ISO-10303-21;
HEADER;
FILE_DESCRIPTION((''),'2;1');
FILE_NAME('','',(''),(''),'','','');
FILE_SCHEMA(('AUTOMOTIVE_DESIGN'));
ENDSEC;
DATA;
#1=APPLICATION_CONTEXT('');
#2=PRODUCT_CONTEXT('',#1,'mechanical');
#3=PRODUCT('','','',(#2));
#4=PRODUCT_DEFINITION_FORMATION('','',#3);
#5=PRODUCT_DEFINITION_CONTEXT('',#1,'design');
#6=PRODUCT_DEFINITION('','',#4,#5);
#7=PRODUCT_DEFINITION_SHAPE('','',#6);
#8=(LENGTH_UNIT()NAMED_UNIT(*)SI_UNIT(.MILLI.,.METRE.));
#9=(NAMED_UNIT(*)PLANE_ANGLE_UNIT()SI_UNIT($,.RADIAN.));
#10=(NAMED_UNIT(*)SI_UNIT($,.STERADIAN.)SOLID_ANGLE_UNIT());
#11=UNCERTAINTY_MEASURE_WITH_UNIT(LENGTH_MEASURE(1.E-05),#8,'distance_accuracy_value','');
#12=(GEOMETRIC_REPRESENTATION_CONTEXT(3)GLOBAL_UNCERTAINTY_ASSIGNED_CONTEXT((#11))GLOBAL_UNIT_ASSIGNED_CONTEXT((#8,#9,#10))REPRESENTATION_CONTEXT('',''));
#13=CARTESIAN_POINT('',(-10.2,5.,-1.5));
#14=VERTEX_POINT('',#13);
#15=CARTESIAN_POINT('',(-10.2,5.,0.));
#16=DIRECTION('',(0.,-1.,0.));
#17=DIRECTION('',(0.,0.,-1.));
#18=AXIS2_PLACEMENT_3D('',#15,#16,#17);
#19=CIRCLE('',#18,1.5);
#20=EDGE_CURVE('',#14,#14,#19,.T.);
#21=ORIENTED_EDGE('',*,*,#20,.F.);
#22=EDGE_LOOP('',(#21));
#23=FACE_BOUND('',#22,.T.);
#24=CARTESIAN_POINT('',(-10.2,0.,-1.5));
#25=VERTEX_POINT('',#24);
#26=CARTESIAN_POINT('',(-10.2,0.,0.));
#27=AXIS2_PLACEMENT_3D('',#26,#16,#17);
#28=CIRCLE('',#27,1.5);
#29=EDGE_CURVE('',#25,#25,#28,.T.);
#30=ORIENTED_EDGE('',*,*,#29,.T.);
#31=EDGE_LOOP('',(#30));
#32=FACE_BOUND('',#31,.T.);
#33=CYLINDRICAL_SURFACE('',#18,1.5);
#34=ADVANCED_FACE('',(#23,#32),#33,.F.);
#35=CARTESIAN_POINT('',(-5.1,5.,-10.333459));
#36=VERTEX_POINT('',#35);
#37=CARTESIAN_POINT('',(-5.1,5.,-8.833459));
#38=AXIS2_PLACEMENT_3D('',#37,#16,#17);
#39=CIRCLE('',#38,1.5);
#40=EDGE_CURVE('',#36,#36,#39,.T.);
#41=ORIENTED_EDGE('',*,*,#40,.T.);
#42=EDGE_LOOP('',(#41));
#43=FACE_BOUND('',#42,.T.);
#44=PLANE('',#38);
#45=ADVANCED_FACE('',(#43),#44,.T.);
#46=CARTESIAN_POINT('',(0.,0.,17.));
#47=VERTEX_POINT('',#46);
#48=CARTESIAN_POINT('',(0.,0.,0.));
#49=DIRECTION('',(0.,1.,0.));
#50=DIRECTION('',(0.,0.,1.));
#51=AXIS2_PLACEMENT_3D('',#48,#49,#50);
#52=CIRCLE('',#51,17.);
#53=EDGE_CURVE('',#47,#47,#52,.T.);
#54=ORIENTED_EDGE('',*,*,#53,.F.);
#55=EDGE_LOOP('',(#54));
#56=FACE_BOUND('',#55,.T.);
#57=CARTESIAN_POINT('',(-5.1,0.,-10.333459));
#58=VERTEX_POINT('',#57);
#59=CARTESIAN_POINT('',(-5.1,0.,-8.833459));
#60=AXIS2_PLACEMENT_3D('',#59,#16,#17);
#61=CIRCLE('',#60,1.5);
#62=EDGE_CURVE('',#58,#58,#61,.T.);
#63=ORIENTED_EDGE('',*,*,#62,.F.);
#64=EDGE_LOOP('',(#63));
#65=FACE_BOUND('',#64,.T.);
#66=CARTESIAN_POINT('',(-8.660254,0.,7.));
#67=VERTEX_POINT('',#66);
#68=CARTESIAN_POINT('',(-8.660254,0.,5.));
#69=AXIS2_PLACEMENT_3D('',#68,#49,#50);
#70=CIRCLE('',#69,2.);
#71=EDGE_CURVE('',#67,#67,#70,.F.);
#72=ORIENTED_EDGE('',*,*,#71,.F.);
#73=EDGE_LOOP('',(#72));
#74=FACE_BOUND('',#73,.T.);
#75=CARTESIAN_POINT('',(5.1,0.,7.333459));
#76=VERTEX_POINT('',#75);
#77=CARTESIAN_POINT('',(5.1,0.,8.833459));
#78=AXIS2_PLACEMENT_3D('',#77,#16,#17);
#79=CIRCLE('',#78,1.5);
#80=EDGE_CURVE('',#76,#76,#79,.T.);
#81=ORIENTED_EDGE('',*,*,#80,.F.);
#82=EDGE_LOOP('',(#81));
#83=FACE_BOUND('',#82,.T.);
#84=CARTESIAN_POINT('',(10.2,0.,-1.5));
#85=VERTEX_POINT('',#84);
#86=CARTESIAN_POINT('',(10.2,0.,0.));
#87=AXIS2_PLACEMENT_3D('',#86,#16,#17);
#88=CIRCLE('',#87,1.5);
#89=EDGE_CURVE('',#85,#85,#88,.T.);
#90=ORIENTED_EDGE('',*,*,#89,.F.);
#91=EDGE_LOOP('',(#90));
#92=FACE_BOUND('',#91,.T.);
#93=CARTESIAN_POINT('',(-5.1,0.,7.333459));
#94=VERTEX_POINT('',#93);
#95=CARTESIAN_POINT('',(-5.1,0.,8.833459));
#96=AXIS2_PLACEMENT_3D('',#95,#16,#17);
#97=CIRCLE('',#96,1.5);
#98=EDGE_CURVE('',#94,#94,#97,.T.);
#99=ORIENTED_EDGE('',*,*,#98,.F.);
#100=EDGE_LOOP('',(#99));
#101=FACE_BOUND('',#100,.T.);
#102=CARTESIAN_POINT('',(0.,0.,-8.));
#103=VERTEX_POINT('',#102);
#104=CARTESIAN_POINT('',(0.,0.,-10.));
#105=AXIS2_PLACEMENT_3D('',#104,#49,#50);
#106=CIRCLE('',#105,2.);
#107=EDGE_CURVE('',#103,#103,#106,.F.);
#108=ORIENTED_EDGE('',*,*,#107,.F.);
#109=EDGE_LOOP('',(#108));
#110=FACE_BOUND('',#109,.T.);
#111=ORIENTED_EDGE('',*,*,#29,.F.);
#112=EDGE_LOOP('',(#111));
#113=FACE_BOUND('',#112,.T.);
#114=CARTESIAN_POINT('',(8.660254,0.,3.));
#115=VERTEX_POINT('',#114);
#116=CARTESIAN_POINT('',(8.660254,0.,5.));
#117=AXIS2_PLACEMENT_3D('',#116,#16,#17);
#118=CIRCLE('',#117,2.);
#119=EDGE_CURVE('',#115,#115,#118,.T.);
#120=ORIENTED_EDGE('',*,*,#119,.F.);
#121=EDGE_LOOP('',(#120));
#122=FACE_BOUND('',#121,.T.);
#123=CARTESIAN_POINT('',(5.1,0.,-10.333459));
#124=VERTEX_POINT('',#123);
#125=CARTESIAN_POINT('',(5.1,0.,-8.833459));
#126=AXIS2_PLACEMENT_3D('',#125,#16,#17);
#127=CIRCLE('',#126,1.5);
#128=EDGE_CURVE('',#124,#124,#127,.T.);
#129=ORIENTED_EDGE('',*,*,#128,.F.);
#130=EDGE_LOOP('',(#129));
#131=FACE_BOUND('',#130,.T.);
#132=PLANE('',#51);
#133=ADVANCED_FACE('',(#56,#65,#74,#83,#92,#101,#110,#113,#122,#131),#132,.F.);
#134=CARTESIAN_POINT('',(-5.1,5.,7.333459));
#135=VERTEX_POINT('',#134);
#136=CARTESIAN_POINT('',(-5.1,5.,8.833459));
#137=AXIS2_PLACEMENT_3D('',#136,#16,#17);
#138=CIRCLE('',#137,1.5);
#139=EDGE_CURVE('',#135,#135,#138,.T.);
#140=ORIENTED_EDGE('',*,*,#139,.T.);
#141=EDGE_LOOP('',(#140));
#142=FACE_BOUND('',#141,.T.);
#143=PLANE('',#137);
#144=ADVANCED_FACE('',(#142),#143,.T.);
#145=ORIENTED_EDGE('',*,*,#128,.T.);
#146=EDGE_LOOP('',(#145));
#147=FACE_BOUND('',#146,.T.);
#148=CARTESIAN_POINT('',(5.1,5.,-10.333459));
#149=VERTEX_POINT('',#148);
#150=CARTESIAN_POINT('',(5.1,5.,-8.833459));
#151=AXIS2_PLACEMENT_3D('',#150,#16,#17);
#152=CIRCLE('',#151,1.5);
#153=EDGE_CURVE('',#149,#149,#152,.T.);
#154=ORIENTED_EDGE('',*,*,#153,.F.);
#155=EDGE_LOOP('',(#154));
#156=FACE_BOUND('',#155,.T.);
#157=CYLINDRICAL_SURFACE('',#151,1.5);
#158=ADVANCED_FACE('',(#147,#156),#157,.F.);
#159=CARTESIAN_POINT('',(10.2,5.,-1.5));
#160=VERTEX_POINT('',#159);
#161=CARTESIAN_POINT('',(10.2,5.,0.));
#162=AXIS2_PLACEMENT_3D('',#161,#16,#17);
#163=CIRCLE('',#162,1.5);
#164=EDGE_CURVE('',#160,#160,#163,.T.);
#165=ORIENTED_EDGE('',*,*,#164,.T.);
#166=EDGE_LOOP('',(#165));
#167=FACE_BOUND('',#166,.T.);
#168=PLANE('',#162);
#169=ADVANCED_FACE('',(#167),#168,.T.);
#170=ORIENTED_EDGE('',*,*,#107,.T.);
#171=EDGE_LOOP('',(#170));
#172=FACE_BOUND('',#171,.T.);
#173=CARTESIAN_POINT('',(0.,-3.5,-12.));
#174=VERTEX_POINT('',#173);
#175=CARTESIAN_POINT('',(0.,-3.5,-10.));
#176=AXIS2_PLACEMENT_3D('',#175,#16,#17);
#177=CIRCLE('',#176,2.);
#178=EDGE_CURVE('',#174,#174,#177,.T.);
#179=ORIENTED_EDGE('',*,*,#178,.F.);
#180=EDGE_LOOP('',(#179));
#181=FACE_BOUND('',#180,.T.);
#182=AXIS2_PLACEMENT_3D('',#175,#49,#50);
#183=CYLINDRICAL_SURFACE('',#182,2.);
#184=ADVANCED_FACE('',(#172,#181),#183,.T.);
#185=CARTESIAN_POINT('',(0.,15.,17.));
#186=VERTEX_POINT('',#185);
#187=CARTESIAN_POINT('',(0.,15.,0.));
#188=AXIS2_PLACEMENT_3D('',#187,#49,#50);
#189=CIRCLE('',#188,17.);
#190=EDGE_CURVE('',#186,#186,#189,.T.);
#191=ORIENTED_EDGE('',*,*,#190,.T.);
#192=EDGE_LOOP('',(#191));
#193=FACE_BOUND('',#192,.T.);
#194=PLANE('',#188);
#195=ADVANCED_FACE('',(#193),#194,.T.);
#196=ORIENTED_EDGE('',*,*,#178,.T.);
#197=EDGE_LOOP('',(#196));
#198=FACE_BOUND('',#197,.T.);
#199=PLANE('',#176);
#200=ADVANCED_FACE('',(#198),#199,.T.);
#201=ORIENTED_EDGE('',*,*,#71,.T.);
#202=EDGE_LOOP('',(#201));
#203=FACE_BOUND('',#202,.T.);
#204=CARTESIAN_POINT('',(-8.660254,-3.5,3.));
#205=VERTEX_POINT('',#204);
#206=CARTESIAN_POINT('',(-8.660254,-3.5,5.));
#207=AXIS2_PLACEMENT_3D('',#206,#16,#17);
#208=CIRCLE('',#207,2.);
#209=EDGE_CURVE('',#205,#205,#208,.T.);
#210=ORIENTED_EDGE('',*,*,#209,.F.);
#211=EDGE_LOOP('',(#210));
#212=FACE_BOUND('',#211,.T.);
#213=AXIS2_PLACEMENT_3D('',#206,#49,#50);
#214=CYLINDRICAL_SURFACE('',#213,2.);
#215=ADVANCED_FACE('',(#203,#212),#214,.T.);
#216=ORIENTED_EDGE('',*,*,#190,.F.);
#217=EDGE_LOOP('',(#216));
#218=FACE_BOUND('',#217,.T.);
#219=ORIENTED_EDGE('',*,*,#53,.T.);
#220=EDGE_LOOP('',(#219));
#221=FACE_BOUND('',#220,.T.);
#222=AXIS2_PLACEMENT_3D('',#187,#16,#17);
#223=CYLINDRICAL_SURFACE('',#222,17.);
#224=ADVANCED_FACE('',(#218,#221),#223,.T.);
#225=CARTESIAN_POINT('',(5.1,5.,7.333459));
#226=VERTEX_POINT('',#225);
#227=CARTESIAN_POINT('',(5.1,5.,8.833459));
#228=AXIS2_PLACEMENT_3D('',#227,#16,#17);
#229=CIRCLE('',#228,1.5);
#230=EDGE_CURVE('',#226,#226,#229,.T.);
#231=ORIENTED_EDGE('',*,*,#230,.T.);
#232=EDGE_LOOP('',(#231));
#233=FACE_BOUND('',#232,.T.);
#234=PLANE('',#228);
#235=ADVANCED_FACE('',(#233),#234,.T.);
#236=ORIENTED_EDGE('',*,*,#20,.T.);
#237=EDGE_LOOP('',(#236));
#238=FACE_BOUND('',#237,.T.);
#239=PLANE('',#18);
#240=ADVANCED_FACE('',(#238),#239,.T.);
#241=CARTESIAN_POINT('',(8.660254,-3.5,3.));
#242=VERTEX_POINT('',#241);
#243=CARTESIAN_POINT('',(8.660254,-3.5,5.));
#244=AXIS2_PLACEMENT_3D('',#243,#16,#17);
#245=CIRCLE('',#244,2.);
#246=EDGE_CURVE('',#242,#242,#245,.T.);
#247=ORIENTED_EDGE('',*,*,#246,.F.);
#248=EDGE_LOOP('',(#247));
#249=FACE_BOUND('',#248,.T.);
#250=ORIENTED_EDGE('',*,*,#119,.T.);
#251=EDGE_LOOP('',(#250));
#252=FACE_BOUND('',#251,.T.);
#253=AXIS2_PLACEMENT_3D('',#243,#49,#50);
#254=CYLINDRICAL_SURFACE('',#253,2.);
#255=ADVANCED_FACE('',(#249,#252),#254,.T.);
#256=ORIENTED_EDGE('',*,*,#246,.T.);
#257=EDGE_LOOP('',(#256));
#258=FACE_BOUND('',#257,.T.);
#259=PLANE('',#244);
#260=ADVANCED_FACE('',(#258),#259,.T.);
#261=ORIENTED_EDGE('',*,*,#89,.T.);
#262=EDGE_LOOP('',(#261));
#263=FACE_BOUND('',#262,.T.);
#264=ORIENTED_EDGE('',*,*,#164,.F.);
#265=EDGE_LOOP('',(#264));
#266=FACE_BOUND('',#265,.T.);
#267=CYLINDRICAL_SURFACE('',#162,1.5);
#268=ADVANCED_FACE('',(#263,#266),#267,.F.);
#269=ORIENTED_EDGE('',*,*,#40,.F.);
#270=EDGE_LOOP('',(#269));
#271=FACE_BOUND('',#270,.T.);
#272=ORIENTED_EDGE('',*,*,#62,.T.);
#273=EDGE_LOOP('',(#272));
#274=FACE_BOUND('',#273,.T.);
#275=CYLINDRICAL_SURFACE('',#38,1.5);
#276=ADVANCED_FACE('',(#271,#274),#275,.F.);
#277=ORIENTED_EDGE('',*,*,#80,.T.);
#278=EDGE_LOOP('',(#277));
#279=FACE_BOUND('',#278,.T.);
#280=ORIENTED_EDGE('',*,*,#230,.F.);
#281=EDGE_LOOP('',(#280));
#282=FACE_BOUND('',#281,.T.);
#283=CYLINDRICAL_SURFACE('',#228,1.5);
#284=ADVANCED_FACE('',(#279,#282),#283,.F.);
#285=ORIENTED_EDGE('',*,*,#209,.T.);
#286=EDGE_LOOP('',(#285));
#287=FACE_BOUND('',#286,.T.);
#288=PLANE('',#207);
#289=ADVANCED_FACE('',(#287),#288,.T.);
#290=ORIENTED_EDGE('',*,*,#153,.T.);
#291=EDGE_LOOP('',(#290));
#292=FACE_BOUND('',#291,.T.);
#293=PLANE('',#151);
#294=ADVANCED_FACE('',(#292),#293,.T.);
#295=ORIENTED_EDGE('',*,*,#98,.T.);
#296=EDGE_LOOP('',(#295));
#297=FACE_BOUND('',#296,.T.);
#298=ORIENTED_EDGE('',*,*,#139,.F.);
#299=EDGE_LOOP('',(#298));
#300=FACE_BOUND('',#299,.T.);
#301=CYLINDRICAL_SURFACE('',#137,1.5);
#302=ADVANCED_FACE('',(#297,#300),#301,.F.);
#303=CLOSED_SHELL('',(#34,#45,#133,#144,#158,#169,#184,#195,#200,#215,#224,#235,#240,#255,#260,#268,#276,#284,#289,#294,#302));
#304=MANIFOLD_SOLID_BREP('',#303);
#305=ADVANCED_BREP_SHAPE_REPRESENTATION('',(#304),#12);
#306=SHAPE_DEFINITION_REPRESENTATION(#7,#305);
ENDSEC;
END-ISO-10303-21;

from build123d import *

# Parameters (mm, degrees)
SKETCH_7_R          = 17
EXTRUDE_6_DEPTH     = 15
SKETCH_8_R          = 1.5
CUT_EXTRUDE_2_DEPTH = 5
SKETCH_9_R          = 2
EXTRUDE_7_DEPTH     = 3.5


with BuildPart() as part:
    # Эскиз7 → Бобышка-Вытянуть6 (new body)
    with BuildSketch(Plane(origin=(0, 0, 0), x_dir=(1, 0, 0), z_dir=(0, 1, 0))):
        with Locations(Location((0, 0, 0), (0, 0, 270))):
            Circle(SKETCH_7_R)
    extrude(amount=EXTRUDE_6_DEPTH)

    # Эскиз8 → Вырез-Вытянуть2 (cut)
    with BuildSketch(Plane.XZ):
        with Locations(Location((-5.1, 8.833459119, 0), (0, 0, 270))):
            Circle(SKETCH_8_R)
        with Locations(Location((5.1, 8.833459119, 0), (0, 0, 270))):
            Circle(SKETCH_8_R)
        with Locations(Location((-10.2, 0, 0), (0, 0, 270))):
            Circle(SKETCH_8_R)
        with Locations(Location((-5.1, -8.833459119, 0), (0, 0, 270))):
            Circle(SKETCH_8_R)
        with Locations(Location((10.2, 0, 0), (0, 0, 270))):
            Circle(SKETCH_8_R)
        with Locations(Location((5.1, -8.833459119, 0), (0, 0, 270))):
            Circle(SKETCH_8_R)
    extrude(amount=-CUT_EXTRUDE_2_DEPTH, mode=Mode.SUBTRACT)

    # Эскиз9 → Бобышка-Вытянуть7 (add)
    with BuildSketch(Plane.XZ):
        with Locations(Location((8.660254038, 5, 0), (0, 0, 270))):
            Circle(SKETCH_9_R)
        with Locations(Location((0, -10, 0), (0, 0, 90))):
            Circle(SKETCH_9_R)
        with Locations(Location((-8.660254038, 5, 0), (0, 0, 90))):
            Circle(SKETCH_9_R)
    extrude(amount=EXTRUDE_7_DEPTH)


solid = part.part
